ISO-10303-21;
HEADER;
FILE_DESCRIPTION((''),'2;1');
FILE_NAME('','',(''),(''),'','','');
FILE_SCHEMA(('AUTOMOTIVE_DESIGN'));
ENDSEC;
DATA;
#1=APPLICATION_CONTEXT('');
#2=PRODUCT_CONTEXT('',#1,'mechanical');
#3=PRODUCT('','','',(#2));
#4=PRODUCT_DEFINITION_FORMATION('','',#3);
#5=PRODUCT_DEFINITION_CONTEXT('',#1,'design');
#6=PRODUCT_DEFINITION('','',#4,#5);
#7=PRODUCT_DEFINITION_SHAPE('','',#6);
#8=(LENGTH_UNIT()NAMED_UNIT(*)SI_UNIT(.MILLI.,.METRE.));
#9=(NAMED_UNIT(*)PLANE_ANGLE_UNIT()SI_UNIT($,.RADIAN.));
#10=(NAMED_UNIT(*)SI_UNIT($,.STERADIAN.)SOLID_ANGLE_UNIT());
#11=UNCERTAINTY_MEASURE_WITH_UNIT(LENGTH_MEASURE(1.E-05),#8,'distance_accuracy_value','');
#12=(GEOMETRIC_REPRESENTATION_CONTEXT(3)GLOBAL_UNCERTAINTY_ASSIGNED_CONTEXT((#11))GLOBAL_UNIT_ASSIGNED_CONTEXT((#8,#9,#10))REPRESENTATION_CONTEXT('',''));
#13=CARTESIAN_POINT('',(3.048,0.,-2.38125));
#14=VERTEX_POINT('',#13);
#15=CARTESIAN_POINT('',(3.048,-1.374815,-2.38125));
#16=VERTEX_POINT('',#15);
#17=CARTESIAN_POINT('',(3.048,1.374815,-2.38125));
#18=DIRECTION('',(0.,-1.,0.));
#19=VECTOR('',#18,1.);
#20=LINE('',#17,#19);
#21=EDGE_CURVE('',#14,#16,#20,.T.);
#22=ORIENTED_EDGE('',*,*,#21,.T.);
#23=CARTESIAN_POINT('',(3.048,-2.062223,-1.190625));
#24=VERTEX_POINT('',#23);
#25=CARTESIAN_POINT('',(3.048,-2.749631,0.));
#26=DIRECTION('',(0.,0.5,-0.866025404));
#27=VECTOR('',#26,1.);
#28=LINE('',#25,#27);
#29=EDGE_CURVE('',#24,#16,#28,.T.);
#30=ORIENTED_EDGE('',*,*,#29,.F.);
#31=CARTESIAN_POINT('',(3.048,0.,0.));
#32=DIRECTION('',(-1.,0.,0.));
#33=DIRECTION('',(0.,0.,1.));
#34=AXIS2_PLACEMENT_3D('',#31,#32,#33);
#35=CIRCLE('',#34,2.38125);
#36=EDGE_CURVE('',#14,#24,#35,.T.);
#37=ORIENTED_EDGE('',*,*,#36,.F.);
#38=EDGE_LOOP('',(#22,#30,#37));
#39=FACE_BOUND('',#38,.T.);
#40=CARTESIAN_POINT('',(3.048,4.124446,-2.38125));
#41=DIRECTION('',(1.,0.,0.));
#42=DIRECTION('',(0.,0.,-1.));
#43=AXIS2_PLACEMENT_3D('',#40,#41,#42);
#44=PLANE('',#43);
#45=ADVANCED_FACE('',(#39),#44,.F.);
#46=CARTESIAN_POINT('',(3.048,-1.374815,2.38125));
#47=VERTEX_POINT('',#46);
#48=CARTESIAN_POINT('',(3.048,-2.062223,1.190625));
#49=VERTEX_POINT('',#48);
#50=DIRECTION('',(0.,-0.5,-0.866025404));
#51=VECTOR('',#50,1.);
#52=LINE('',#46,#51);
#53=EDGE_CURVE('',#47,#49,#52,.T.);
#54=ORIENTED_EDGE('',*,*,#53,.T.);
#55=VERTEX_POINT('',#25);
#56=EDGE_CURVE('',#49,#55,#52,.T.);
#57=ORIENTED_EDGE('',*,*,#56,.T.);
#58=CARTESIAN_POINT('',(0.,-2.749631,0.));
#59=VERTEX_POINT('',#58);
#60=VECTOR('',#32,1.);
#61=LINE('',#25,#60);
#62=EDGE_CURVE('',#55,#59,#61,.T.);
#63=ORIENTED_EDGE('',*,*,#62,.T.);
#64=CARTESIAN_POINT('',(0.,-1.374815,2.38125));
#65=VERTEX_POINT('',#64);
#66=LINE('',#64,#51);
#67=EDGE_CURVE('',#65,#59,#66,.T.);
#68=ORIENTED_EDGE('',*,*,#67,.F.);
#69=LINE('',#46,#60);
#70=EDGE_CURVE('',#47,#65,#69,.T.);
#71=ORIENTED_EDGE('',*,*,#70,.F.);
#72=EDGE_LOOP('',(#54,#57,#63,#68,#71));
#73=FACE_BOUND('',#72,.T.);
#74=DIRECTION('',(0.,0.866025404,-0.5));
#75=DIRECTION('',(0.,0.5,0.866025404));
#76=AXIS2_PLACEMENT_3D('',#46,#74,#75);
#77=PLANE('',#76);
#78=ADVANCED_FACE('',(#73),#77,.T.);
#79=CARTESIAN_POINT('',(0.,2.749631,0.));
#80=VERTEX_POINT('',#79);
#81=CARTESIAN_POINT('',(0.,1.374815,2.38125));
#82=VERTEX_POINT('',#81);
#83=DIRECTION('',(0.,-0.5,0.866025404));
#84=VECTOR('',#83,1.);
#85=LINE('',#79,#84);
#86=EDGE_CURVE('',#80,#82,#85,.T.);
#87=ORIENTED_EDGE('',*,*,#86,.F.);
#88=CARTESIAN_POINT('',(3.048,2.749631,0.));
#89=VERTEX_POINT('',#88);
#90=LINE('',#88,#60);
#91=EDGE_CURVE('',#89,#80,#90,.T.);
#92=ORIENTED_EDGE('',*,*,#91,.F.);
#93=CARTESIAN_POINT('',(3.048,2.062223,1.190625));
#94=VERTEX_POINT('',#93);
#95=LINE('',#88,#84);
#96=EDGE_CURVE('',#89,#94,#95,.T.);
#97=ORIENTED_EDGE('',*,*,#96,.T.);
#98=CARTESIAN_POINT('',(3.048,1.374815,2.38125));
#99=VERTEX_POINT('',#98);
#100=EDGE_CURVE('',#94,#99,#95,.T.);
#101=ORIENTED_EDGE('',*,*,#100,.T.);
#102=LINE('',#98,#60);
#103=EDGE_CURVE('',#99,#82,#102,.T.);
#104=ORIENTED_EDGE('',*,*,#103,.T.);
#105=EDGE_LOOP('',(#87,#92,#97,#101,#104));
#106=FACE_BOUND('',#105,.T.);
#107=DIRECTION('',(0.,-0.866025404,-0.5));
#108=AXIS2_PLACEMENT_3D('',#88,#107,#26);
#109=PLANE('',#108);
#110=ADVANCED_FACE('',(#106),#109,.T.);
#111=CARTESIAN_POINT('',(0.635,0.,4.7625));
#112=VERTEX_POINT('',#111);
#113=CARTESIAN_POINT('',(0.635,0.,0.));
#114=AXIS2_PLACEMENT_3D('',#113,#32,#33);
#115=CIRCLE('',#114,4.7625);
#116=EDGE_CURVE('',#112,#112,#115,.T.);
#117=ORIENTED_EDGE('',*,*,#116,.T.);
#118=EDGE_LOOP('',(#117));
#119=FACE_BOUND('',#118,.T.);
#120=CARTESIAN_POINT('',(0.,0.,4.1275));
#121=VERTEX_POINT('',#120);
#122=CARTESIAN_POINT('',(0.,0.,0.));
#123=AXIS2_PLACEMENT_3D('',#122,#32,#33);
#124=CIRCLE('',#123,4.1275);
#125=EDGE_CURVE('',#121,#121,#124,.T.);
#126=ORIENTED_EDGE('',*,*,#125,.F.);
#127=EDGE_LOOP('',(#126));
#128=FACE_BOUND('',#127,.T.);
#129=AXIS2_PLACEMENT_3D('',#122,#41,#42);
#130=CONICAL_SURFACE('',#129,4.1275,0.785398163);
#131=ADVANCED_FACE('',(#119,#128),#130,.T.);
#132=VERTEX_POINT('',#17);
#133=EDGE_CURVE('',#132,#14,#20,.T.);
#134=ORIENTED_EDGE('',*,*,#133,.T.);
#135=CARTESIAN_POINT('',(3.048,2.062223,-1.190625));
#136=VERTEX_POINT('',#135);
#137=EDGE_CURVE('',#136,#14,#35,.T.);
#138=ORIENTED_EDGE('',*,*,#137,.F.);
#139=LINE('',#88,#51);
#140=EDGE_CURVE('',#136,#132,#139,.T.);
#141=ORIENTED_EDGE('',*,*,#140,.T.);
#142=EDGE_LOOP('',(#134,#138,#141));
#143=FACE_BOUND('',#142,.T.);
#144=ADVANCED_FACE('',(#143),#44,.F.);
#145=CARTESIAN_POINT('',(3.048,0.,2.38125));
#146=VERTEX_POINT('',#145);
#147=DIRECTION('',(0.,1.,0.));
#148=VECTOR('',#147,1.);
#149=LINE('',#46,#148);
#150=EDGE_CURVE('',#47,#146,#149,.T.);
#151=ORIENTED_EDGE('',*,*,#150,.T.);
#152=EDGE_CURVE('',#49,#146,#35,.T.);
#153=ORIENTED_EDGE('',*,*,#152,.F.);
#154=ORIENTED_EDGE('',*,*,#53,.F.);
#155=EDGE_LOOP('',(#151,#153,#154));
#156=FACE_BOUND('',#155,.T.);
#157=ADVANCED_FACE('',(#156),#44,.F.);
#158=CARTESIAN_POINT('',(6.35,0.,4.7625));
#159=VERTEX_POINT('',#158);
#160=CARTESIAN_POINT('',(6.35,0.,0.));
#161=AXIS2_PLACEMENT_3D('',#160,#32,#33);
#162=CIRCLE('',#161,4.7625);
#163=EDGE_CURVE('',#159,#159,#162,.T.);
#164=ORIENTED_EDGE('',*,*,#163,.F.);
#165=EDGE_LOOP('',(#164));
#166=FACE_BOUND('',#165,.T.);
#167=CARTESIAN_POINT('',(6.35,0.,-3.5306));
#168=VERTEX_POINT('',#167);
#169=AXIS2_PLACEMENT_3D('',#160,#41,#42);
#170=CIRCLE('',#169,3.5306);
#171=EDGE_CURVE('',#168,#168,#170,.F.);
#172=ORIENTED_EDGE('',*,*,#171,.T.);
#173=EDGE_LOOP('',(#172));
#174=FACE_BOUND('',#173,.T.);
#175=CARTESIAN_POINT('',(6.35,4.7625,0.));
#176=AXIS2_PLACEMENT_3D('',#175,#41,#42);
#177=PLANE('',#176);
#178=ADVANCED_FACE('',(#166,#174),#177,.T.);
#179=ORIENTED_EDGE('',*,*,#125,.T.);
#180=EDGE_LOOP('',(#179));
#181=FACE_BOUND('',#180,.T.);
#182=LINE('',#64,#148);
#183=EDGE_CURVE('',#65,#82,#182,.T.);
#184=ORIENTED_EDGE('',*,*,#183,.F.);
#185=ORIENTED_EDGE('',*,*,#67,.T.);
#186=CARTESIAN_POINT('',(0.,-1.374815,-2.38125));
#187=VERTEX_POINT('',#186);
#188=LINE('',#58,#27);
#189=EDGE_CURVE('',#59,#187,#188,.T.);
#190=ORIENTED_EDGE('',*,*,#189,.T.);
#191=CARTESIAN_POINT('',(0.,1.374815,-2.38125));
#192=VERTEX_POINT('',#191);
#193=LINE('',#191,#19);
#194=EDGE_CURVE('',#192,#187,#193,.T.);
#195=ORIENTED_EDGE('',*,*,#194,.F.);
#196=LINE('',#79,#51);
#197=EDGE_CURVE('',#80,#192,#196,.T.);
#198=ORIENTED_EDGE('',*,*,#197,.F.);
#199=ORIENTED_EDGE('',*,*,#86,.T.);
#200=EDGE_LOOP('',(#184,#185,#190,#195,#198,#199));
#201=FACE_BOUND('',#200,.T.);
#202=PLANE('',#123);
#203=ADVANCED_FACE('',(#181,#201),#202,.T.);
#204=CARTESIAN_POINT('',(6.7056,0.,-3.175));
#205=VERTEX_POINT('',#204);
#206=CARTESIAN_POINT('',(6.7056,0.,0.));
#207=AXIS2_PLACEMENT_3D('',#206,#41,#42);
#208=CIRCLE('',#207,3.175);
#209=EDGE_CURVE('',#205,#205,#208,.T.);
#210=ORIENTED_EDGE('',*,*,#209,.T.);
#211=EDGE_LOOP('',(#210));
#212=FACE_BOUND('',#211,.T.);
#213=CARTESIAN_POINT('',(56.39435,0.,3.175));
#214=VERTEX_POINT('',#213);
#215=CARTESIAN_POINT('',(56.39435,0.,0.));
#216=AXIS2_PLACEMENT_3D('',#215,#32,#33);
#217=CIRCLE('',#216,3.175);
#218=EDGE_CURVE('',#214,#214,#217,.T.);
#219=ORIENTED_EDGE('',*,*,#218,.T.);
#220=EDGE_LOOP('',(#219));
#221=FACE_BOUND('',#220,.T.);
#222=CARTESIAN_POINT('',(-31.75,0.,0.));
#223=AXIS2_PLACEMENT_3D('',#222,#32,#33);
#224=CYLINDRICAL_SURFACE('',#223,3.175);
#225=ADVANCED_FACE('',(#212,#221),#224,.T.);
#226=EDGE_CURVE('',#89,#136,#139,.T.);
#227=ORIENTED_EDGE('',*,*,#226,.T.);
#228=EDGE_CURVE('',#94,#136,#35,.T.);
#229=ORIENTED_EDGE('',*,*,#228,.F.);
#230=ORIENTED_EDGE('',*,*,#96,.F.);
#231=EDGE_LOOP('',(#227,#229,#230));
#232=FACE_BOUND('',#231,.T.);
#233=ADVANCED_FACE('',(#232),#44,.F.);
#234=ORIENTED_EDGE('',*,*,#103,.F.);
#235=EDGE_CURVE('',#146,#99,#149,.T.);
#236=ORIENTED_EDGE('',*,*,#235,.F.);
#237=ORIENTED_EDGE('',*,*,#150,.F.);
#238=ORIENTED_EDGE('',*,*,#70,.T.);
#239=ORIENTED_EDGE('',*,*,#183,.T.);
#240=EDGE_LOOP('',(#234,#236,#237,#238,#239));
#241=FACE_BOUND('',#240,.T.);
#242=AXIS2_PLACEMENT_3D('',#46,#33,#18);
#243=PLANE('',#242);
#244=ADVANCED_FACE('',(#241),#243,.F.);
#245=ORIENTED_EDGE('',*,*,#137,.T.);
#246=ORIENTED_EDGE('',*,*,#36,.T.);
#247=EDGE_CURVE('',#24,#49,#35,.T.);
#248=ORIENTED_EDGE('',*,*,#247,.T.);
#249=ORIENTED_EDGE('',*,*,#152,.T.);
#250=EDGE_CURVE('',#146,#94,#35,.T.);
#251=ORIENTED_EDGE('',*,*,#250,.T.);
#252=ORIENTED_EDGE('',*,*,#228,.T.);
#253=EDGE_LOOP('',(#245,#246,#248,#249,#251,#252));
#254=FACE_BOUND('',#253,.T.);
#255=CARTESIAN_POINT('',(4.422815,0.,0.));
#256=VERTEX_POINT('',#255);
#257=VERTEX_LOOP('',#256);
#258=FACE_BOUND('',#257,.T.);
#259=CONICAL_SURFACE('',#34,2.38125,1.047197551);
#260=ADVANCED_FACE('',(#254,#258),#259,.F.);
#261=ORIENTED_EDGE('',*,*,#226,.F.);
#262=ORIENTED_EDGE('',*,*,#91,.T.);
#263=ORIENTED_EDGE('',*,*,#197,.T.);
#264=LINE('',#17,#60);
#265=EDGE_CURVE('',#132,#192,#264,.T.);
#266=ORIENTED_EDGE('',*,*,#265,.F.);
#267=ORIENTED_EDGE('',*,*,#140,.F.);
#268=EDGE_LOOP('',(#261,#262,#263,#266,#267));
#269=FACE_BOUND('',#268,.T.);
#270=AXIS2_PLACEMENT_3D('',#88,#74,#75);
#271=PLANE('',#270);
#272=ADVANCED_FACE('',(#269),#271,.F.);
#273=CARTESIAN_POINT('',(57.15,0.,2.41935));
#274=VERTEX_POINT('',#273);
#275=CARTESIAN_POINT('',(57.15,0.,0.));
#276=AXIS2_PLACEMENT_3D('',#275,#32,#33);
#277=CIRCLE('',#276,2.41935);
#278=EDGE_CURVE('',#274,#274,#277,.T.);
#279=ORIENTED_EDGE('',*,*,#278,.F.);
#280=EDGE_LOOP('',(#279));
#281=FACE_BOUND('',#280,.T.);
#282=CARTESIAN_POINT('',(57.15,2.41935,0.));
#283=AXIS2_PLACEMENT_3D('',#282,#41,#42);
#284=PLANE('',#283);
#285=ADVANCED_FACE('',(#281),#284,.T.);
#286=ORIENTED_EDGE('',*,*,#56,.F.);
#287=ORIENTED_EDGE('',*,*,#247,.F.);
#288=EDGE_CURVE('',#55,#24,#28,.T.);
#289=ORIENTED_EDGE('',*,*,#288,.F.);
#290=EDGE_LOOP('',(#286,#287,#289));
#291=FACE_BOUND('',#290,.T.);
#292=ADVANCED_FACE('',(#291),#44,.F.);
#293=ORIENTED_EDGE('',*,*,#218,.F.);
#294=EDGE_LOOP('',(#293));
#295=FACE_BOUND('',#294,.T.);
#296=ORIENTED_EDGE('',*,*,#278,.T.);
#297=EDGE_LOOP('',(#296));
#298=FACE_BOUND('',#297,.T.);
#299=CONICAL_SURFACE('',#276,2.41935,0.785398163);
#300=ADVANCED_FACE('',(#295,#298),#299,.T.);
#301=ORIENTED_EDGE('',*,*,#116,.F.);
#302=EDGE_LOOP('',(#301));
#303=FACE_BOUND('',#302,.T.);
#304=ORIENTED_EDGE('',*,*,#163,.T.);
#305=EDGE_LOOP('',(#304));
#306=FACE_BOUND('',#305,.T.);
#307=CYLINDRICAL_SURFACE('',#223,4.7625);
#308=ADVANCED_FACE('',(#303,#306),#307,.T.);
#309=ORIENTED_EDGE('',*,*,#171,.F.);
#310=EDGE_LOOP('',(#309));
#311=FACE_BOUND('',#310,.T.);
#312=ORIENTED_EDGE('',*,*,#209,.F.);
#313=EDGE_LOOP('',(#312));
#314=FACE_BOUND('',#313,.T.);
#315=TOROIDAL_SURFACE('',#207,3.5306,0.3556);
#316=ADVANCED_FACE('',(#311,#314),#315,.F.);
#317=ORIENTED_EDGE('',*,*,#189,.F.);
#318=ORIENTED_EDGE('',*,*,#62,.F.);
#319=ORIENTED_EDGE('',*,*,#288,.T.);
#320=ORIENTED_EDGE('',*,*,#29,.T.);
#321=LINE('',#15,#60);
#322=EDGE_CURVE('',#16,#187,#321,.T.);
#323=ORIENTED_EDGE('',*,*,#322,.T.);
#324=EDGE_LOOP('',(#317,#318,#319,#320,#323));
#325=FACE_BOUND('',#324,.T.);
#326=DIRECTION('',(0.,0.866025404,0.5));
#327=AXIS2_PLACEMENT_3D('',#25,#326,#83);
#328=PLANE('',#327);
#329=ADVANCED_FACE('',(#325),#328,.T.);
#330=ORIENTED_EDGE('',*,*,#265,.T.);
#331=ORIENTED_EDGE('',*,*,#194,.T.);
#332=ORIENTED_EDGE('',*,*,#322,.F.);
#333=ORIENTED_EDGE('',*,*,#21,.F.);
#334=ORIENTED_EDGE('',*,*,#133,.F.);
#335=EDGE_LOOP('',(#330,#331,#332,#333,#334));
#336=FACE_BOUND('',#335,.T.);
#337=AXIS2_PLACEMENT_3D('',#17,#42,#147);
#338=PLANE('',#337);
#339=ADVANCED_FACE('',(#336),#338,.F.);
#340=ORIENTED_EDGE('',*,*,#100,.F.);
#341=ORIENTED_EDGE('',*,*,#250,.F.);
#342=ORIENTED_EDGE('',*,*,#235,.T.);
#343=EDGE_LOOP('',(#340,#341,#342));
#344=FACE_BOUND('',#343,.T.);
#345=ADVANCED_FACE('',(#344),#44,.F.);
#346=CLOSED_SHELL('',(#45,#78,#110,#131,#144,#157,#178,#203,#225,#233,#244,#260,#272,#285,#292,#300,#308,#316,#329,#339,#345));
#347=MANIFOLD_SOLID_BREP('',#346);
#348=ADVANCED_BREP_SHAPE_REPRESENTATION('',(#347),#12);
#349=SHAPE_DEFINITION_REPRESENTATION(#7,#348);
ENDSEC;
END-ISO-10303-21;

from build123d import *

# Parameters (mm, degrees)
FILLET1_R   = 0.3556
HEX_2_DEPTH = 3.048


with BuildPart() as part:
    # BodySke → Base-Revolve (revolve)
    with BuildSketch(Plane.XY, mode=Mode.PRIVATE) as base_revolve_sk:
        Polygon((0, 0), (0, 4.1275), (0.635, 4.7625), (6.35, 4.7625), (6.35, 3.175), (56.39435, 3.175), (57.15, 2.41935), (57.15, 0), align=None)
    revolve(base_revolve_sk.sketch.rotate(Axis((-31.75, 0, 0), (1, 0, 0)), 90), axis=Axis((-31.75, 0, 0), (1, 0, 0)))

    # Fillet1
    fillet1_edges = [part.edges().sort_by_distance(p)[0] for p in [
        (6.35, 0, -3.175),
    ]]
    fillet(fillet1_edges, radius=FILLET1_R)

    # Sketch2 → Hex-PreBroach (revolve, cut)
    with BuildSketch(Plane.XY, mode=Mode.PRIVATE) as hex_prebroach_sk:
        Polygon((0, 2.38125), (3.048, 2.38125), (4.422815329, 0), (0, 0), align=None)
    revolve(hex_prebroach_sk.sketch.rotate(Axis((0, 0, 0), (1, 0, 0)), 90), axis=Axis((0, 0, 0), (1, 0, 0)), mode=Mode.SUBTRACT)

    # Sketch3 → Hex 2 (cut)
    with BuildSketch(Plane(origin=(0, 0, 0), x_dir=(0, 0.500000000000001, 0.866025403784438), z_dir=(-1, 0, 0))):
        Polygon((1.374815329, 2.38125), (-1.374815329, 2.38125), (-2.749630657, 0), (-1.374815329, -2.38125), (1.374815329, -2.38125), (2.749630657, 0), align=None)
    extrude(amount=-HEX_2_DEPTH, mode=Mode.SUBTRACT)


solid = part.part
